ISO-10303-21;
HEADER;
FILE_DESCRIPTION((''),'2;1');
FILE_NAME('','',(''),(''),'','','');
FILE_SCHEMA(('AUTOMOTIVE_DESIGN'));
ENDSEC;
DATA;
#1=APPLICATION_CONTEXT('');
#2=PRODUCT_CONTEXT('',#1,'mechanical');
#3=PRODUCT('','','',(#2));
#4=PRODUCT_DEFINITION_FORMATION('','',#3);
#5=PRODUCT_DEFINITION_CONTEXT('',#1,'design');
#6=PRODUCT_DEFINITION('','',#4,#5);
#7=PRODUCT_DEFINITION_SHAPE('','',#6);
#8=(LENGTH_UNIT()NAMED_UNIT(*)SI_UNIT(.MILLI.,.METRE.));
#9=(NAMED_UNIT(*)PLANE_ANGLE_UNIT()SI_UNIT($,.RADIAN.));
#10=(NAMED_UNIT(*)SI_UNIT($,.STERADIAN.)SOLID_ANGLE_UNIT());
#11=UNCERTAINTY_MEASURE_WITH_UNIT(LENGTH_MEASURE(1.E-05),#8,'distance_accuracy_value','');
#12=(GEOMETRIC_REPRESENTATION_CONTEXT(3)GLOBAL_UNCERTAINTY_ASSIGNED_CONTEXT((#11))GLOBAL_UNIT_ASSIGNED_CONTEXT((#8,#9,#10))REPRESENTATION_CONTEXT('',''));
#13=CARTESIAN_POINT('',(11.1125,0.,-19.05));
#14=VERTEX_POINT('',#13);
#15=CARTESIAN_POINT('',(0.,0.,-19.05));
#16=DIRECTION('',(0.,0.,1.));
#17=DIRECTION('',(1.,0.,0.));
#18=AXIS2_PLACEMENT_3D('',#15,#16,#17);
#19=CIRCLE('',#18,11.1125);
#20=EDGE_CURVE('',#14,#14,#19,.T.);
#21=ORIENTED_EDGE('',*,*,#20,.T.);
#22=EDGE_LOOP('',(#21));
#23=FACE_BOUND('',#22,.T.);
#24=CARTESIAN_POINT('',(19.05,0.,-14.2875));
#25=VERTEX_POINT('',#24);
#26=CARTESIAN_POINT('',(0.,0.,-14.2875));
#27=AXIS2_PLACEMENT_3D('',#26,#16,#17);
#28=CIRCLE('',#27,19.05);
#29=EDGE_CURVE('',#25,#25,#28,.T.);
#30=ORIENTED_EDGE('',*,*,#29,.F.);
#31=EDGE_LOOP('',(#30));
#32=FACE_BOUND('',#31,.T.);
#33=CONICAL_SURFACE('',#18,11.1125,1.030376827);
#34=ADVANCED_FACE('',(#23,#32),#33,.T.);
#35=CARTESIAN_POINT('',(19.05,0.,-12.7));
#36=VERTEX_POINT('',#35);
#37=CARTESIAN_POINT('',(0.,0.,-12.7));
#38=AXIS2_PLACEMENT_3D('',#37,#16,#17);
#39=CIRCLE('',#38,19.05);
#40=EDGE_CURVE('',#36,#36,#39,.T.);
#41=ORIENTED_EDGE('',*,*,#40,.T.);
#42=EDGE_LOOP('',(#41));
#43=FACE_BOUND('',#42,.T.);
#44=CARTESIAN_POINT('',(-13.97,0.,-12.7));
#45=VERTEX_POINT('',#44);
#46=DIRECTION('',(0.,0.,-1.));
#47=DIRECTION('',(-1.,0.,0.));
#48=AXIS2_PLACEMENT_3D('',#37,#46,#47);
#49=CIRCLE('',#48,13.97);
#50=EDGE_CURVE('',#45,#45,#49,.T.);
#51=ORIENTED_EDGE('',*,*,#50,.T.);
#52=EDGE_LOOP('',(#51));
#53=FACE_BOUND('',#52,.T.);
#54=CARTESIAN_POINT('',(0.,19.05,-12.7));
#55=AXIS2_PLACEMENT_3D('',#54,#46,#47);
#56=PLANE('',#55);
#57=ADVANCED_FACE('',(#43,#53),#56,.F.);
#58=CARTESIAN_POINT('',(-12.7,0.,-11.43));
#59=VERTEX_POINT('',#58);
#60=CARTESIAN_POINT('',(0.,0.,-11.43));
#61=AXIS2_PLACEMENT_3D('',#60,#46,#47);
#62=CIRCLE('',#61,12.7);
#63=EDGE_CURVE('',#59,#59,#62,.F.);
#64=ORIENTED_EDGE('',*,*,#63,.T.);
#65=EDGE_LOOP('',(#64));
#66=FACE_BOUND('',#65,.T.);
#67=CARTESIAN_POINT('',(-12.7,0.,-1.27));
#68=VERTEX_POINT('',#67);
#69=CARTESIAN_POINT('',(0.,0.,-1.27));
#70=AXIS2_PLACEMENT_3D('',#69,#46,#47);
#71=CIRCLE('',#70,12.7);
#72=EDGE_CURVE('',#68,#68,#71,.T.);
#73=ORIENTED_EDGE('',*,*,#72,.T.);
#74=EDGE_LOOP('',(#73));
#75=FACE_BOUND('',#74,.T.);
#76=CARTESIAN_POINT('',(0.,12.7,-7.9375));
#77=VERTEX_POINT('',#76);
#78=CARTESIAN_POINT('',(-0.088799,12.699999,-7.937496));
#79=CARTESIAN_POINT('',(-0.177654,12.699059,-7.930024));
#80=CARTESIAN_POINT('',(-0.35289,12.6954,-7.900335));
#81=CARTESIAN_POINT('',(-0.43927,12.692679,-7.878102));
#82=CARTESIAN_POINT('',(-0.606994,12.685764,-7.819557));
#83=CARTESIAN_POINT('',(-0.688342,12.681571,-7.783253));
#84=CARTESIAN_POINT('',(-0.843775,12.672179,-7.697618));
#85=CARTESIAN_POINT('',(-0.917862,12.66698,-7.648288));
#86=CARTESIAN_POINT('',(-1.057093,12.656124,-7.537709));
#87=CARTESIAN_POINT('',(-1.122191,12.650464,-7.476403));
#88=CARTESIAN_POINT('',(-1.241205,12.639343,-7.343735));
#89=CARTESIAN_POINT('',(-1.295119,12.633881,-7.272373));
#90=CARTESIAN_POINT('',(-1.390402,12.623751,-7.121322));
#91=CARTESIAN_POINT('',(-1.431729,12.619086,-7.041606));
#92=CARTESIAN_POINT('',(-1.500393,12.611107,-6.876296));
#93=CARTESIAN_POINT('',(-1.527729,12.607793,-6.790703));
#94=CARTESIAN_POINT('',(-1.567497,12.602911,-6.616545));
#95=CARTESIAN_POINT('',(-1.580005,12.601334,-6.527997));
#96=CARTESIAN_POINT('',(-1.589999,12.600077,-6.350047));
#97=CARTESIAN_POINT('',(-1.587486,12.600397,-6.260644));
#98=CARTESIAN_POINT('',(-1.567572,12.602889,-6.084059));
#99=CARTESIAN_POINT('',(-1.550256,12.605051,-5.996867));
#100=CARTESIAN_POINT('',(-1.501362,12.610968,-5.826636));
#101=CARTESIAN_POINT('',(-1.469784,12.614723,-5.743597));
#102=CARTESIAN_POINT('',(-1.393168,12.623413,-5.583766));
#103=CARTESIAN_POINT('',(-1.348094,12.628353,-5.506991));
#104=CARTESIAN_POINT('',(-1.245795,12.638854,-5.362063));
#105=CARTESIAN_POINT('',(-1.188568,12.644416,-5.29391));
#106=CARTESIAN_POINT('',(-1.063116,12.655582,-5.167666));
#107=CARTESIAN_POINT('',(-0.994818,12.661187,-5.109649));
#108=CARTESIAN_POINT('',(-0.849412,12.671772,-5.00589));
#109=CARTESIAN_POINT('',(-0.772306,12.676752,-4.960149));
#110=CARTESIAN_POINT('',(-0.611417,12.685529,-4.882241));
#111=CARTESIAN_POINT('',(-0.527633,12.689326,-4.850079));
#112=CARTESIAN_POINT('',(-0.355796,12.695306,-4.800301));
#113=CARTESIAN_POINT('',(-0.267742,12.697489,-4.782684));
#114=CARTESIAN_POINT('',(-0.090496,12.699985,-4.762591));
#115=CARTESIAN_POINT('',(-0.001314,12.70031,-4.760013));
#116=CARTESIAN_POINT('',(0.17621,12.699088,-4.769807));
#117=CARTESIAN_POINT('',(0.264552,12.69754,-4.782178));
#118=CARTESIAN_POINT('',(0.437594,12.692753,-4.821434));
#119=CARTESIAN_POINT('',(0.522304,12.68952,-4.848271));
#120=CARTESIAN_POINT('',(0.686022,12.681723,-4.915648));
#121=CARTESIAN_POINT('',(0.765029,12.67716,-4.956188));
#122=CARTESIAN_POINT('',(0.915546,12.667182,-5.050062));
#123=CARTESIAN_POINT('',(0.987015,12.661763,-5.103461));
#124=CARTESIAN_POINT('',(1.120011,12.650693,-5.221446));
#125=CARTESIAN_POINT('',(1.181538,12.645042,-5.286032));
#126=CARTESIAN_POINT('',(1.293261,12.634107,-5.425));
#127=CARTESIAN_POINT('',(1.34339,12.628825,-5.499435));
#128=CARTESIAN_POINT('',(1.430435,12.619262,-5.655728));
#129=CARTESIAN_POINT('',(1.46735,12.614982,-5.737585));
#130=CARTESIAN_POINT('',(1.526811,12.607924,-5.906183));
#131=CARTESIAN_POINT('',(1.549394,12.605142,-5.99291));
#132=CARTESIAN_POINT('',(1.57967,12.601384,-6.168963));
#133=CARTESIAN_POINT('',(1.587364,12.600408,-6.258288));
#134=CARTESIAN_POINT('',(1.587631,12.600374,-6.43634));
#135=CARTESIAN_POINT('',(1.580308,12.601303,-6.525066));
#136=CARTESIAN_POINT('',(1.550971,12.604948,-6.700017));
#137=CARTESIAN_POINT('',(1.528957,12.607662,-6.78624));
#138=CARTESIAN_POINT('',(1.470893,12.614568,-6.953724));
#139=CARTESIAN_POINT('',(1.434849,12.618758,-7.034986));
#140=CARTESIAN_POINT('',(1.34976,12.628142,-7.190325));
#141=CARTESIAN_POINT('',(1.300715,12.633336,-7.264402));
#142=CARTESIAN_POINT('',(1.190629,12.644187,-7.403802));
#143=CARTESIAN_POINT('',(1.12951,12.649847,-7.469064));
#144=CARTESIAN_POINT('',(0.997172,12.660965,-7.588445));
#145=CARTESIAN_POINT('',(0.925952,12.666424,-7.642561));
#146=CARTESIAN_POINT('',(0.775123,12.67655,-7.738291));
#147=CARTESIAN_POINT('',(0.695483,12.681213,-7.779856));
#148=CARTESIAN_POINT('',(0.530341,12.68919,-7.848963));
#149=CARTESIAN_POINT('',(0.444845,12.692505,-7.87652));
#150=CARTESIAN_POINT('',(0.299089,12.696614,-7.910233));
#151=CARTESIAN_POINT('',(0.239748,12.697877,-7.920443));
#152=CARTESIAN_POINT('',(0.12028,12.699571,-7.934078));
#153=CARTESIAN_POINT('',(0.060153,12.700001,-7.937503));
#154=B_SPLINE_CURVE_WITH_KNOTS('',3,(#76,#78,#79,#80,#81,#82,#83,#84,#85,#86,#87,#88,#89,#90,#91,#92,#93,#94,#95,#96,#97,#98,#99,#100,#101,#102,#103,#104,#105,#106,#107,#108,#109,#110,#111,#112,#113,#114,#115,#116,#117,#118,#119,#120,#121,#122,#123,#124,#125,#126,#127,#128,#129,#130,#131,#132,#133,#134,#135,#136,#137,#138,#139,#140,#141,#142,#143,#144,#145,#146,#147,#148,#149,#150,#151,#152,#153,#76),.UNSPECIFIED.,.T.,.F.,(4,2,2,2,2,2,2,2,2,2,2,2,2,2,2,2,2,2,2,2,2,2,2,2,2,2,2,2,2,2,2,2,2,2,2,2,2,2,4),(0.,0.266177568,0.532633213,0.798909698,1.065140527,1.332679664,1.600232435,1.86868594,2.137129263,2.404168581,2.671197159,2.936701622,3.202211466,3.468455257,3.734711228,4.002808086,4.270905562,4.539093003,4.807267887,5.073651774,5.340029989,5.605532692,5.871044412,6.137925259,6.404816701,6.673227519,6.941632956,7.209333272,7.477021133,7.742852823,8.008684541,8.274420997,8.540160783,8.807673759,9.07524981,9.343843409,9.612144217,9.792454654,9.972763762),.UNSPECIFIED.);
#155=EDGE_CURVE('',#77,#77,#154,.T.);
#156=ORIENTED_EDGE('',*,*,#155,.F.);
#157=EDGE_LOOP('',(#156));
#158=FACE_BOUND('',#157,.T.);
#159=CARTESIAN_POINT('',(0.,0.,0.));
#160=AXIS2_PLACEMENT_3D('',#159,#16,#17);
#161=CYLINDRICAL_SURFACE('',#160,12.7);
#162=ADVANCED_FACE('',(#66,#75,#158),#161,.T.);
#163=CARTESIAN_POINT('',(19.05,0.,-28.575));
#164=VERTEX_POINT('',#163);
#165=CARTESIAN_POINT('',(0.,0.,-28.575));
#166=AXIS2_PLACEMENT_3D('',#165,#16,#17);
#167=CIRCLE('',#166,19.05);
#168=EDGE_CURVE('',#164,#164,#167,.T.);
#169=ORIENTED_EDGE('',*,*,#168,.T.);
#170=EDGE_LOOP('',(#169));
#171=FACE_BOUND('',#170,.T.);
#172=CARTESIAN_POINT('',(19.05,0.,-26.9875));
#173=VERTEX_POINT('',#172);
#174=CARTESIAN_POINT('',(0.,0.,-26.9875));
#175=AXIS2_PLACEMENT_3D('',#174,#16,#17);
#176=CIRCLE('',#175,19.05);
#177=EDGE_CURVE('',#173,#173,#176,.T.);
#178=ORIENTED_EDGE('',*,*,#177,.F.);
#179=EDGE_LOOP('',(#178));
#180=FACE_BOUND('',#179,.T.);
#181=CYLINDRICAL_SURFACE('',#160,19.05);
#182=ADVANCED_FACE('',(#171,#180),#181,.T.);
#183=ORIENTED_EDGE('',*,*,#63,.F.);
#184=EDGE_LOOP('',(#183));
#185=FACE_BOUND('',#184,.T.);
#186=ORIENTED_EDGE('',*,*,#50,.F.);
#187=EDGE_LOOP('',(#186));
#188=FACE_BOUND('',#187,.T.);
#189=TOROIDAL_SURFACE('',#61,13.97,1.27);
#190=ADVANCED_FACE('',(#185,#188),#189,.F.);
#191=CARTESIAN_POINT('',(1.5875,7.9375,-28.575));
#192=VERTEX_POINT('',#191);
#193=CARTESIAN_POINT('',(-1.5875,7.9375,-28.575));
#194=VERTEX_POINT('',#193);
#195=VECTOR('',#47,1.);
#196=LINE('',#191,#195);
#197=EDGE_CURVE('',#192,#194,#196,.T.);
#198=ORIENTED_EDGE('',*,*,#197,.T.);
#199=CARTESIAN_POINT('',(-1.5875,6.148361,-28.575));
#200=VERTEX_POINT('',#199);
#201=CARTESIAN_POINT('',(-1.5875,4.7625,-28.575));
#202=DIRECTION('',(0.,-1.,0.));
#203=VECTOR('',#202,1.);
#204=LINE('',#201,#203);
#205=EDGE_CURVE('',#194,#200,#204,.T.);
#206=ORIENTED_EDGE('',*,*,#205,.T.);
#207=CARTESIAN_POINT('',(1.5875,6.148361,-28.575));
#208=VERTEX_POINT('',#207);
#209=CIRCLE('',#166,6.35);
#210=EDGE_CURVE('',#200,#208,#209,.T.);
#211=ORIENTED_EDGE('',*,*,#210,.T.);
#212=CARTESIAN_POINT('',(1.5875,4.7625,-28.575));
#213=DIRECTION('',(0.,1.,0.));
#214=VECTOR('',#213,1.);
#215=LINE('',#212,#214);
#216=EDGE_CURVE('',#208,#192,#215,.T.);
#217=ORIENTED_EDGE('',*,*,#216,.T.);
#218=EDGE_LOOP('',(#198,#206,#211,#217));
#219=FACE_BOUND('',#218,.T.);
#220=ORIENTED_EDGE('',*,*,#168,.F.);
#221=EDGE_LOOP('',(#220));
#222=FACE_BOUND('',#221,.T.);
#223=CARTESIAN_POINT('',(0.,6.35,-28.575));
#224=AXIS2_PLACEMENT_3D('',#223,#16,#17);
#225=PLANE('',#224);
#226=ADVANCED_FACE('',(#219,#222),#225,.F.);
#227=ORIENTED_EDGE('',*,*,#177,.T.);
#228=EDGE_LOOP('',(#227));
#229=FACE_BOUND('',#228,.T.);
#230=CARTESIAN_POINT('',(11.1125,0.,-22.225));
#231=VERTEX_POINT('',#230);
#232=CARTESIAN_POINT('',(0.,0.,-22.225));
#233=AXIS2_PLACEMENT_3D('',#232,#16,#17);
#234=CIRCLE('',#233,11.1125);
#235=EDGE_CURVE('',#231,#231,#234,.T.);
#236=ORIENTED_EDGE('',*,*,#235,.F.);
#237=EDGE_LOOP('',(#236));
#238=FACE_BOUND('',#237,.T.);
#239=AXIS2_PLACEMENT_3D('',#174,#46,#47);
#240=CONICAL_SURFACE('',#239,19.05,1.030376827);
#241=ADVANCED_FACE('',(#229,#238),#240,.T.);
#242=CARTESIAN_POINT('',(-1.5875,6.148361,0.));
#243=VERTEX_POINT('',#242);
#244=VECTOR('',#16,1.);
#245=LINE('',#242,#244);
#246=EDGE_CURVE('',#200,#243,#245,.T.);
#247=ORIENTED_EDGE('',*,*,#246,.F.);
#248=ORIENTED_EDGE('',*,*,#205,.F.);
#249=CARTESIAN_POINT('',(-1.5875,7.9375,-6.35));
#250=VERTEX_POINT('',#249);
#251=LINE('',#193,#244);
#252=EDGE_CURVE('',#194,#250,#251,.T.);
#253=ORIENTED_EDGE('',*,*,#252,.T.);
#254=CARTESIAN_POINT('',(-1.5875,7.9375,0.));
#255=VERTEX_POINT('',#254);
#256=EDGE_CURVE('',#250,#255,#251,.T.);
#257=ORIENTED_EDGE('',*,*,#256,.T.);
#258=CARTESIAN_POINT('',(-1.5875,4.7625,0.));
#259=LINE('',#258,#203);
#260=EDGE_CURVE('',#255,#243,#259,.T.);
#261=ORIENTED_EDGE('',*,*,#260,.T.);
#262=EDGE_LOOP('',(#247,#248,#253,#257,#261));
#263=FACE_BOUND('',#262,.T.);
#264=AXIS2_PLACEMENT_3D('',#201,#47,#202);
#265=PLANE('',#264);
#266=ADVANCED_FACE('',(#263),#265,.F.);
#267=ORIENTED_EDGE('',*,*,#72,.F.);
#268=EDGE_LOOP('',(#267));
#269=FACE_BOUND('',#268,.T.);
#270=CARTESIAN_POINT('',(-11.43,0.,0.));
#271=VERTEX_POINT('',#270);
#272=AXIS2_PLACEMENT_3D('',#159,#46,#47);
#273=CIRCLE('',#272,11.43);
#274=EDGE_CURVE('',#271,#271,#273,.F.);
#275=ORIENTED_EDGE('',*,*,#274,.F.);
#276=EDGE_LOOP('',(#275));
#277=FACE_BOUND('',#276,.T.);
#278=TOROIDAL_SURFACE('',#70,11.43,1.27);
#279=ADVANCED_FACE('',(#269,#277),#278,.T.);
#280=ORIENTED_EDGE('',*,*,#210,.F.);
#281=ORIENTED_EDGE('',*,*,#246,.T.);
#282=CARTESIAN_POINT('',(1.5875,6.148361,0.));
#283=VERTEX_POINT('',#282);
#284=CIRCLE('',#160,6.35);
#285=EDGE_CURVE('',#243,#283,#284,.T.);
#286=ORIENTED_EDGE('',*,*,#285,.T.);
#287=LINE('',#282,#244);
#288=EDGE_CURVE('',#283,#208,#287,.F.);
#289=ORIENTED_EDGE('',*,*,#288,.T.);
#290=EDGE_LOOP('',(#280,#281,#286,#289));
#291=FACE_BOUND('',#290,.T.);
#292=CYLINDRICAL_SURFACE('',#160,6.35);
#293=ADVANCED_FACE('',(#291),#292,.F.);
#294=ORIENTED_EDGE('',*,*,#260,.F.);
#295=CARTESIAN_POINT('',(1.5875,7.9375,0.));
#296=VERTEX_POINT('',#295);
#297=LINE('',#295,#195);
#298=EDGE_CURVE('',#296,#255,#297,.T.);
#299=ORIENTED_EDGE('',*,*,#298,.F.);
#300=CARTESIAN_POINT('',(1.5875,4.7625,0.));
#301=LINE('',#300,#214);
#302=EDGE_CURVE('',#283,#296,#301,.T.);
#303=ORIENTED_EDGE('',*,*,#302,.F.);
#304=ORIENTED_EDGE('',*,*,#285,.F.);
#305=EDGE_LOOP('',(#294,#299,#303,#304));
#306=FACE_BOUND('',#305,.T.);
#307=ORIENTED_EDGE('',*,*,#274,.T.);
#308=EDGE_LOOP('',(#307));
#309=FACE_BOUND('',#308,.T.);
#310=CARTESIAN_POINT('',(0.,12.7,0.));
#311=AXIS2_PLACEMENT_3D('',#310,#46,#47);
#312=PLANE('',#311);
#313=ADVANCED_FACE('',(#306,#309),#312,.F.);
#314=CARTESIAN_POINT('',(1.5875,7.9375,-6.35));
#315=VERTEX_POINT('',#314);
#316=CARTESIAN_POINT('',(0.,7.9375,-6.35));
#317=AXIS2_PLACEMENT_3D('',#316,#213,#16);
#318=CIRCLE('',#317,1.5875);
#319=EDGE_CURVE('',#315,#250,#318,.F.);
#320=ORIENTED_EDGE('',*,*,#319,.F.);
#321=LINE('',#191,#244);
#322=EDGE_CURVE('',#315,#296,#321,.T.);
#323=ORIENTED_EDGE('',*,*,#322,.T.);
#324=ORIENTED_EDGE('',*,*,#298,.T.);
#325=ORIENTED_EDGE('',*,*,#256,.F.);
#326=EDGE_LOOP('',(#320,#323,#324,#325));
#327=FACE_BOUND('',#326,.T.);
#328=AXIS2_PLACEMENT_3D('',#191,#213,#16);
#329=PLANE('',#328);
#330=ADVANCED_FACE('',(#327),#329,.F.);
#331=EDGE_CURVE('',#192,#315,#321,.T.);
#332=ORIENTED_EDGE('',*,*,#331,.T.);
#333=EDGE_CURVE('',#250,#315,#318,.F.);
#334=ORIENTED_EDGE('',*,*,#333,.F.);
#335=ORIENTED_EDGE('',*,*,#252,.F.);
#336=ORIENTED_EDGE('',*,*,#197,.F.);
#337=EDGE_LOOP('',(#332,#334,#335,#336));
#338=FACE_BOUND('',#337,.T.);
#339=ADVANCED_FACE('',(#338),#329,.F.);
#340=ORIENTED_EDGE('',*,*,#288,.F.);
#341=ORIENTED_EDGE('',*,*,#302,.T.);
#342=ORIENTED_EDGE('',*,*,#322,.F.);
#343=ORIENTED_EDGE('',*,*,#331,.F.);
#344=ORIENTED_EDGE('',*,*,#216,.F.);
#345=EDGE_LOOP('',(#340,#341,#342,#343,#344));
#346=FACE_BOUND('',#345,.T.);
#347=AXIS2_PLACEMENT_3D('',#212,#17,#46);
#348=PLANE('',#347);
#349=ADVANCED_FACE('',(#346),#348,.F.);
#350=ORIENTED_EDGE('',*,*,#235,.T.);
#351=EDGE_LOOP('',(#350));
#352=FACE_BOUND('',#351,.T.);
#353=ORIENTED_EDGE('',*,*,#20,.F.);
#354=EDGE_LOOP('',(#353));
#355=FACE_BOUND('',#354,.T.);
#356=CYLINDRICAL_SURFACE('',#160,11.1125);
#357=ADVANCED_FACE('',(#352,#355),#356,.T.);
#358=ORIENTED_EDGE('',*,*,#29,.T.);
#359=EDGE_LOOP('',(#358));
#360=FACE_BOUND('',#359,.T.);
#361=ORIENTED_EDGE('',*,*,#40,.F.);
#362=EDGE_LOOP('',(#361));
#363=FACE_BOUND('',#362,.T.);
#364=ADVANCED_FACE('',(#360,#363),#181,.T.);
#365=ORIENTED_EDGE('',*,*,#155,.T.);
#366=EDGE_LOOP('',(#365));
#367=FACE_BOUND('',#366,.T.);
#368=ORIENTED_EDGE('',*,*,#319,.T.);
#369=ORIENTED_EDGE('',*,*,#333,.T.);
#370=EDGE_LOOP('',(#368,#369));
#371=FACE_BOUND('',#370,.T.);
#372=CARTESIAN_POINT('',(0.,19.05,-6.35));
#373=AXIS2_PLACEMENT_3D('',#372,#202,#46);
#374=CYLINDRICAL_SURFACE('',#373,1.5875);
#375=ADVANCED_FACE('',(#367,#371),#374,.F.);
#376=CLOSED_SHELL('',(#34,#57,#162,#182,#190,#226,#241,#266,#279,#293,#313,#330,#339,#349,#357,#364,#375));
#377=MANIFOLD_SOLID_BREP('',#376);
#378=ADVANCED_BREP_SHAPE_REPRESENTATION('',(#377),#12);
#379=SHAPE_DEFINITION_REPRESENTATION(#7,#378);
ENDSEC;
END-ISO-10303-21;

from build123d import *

# Parameters (mm, degrees)
SKETCH4_W          = 3.175
SKETCH4_H          = 3.175
CUT_EXTRUDE2_DEPTH = 40.272581084
SKETCH5_R          = 1.5875
CUT_EXTRUDE3_DEPTH = 40.272581084
FILLET1_R          = 1.27


with BuildPart() as part:
    # Sketch3 → Revolve2 (revolve)
    with BuildSketch(Plane(origin=(0, 0, 0), x_dir=(0, 0, -1), z_dir=(1, 0, 0)), mode=Mode.PRIVATE) as revolve2_sk:
        Polygon((0, 6.35), (28.575, 6.35), (28.575, 19.05), (26.9875, 19.05), (22.225, 11.1125), (19.05, 11.1125), (14.2875, 19.05), (12.7, 19.05), (12.7, 12.7), (0, 12.7), align=None)
    revolve(revolve2_sk.sketch.rotate(Axis((0, 0, 0), (0, 0, -1)), 90), axis=Axis((0, 0, 0), (0, 0, -1)))

    # Sketch4 → Cut-Extrude2 (cut, through all)
    with BuildSketch(Plane.XY):
        with Locations((0, 6.35)):
            Rectangle(SKETCH4_W, SKETCH4_H)
    extrude(amount=-CUT_EXTRUDE2_DEPTH, mode=Mode.SUBTRACT)

    # Sketch5 → Cut-Extrude3 (cut, through all)
    with BuildSketch(Plane(origin=(0, 0, 0), x_dir=(1, 0, 0), z_dir=(0, 1, 0))):
        with Locations(Location((0, 6.35, 0), (0, 0, 90))):
            Circle(SKETCH5_R)
    extrude(amount=CUT_EXTRUDE3_DEPTH, mode=Mode.SUBTRACT)

    # Fillet1
    fillet1_edges = [part.edges().sort_by_distance(p)[0] for p in [
        (-12.7, 0, -12.7),
        (-12.7, 0, 0),
    ]]
    fillet(fillet1_edges, radius=FILLET1_R)


solid = part.part
